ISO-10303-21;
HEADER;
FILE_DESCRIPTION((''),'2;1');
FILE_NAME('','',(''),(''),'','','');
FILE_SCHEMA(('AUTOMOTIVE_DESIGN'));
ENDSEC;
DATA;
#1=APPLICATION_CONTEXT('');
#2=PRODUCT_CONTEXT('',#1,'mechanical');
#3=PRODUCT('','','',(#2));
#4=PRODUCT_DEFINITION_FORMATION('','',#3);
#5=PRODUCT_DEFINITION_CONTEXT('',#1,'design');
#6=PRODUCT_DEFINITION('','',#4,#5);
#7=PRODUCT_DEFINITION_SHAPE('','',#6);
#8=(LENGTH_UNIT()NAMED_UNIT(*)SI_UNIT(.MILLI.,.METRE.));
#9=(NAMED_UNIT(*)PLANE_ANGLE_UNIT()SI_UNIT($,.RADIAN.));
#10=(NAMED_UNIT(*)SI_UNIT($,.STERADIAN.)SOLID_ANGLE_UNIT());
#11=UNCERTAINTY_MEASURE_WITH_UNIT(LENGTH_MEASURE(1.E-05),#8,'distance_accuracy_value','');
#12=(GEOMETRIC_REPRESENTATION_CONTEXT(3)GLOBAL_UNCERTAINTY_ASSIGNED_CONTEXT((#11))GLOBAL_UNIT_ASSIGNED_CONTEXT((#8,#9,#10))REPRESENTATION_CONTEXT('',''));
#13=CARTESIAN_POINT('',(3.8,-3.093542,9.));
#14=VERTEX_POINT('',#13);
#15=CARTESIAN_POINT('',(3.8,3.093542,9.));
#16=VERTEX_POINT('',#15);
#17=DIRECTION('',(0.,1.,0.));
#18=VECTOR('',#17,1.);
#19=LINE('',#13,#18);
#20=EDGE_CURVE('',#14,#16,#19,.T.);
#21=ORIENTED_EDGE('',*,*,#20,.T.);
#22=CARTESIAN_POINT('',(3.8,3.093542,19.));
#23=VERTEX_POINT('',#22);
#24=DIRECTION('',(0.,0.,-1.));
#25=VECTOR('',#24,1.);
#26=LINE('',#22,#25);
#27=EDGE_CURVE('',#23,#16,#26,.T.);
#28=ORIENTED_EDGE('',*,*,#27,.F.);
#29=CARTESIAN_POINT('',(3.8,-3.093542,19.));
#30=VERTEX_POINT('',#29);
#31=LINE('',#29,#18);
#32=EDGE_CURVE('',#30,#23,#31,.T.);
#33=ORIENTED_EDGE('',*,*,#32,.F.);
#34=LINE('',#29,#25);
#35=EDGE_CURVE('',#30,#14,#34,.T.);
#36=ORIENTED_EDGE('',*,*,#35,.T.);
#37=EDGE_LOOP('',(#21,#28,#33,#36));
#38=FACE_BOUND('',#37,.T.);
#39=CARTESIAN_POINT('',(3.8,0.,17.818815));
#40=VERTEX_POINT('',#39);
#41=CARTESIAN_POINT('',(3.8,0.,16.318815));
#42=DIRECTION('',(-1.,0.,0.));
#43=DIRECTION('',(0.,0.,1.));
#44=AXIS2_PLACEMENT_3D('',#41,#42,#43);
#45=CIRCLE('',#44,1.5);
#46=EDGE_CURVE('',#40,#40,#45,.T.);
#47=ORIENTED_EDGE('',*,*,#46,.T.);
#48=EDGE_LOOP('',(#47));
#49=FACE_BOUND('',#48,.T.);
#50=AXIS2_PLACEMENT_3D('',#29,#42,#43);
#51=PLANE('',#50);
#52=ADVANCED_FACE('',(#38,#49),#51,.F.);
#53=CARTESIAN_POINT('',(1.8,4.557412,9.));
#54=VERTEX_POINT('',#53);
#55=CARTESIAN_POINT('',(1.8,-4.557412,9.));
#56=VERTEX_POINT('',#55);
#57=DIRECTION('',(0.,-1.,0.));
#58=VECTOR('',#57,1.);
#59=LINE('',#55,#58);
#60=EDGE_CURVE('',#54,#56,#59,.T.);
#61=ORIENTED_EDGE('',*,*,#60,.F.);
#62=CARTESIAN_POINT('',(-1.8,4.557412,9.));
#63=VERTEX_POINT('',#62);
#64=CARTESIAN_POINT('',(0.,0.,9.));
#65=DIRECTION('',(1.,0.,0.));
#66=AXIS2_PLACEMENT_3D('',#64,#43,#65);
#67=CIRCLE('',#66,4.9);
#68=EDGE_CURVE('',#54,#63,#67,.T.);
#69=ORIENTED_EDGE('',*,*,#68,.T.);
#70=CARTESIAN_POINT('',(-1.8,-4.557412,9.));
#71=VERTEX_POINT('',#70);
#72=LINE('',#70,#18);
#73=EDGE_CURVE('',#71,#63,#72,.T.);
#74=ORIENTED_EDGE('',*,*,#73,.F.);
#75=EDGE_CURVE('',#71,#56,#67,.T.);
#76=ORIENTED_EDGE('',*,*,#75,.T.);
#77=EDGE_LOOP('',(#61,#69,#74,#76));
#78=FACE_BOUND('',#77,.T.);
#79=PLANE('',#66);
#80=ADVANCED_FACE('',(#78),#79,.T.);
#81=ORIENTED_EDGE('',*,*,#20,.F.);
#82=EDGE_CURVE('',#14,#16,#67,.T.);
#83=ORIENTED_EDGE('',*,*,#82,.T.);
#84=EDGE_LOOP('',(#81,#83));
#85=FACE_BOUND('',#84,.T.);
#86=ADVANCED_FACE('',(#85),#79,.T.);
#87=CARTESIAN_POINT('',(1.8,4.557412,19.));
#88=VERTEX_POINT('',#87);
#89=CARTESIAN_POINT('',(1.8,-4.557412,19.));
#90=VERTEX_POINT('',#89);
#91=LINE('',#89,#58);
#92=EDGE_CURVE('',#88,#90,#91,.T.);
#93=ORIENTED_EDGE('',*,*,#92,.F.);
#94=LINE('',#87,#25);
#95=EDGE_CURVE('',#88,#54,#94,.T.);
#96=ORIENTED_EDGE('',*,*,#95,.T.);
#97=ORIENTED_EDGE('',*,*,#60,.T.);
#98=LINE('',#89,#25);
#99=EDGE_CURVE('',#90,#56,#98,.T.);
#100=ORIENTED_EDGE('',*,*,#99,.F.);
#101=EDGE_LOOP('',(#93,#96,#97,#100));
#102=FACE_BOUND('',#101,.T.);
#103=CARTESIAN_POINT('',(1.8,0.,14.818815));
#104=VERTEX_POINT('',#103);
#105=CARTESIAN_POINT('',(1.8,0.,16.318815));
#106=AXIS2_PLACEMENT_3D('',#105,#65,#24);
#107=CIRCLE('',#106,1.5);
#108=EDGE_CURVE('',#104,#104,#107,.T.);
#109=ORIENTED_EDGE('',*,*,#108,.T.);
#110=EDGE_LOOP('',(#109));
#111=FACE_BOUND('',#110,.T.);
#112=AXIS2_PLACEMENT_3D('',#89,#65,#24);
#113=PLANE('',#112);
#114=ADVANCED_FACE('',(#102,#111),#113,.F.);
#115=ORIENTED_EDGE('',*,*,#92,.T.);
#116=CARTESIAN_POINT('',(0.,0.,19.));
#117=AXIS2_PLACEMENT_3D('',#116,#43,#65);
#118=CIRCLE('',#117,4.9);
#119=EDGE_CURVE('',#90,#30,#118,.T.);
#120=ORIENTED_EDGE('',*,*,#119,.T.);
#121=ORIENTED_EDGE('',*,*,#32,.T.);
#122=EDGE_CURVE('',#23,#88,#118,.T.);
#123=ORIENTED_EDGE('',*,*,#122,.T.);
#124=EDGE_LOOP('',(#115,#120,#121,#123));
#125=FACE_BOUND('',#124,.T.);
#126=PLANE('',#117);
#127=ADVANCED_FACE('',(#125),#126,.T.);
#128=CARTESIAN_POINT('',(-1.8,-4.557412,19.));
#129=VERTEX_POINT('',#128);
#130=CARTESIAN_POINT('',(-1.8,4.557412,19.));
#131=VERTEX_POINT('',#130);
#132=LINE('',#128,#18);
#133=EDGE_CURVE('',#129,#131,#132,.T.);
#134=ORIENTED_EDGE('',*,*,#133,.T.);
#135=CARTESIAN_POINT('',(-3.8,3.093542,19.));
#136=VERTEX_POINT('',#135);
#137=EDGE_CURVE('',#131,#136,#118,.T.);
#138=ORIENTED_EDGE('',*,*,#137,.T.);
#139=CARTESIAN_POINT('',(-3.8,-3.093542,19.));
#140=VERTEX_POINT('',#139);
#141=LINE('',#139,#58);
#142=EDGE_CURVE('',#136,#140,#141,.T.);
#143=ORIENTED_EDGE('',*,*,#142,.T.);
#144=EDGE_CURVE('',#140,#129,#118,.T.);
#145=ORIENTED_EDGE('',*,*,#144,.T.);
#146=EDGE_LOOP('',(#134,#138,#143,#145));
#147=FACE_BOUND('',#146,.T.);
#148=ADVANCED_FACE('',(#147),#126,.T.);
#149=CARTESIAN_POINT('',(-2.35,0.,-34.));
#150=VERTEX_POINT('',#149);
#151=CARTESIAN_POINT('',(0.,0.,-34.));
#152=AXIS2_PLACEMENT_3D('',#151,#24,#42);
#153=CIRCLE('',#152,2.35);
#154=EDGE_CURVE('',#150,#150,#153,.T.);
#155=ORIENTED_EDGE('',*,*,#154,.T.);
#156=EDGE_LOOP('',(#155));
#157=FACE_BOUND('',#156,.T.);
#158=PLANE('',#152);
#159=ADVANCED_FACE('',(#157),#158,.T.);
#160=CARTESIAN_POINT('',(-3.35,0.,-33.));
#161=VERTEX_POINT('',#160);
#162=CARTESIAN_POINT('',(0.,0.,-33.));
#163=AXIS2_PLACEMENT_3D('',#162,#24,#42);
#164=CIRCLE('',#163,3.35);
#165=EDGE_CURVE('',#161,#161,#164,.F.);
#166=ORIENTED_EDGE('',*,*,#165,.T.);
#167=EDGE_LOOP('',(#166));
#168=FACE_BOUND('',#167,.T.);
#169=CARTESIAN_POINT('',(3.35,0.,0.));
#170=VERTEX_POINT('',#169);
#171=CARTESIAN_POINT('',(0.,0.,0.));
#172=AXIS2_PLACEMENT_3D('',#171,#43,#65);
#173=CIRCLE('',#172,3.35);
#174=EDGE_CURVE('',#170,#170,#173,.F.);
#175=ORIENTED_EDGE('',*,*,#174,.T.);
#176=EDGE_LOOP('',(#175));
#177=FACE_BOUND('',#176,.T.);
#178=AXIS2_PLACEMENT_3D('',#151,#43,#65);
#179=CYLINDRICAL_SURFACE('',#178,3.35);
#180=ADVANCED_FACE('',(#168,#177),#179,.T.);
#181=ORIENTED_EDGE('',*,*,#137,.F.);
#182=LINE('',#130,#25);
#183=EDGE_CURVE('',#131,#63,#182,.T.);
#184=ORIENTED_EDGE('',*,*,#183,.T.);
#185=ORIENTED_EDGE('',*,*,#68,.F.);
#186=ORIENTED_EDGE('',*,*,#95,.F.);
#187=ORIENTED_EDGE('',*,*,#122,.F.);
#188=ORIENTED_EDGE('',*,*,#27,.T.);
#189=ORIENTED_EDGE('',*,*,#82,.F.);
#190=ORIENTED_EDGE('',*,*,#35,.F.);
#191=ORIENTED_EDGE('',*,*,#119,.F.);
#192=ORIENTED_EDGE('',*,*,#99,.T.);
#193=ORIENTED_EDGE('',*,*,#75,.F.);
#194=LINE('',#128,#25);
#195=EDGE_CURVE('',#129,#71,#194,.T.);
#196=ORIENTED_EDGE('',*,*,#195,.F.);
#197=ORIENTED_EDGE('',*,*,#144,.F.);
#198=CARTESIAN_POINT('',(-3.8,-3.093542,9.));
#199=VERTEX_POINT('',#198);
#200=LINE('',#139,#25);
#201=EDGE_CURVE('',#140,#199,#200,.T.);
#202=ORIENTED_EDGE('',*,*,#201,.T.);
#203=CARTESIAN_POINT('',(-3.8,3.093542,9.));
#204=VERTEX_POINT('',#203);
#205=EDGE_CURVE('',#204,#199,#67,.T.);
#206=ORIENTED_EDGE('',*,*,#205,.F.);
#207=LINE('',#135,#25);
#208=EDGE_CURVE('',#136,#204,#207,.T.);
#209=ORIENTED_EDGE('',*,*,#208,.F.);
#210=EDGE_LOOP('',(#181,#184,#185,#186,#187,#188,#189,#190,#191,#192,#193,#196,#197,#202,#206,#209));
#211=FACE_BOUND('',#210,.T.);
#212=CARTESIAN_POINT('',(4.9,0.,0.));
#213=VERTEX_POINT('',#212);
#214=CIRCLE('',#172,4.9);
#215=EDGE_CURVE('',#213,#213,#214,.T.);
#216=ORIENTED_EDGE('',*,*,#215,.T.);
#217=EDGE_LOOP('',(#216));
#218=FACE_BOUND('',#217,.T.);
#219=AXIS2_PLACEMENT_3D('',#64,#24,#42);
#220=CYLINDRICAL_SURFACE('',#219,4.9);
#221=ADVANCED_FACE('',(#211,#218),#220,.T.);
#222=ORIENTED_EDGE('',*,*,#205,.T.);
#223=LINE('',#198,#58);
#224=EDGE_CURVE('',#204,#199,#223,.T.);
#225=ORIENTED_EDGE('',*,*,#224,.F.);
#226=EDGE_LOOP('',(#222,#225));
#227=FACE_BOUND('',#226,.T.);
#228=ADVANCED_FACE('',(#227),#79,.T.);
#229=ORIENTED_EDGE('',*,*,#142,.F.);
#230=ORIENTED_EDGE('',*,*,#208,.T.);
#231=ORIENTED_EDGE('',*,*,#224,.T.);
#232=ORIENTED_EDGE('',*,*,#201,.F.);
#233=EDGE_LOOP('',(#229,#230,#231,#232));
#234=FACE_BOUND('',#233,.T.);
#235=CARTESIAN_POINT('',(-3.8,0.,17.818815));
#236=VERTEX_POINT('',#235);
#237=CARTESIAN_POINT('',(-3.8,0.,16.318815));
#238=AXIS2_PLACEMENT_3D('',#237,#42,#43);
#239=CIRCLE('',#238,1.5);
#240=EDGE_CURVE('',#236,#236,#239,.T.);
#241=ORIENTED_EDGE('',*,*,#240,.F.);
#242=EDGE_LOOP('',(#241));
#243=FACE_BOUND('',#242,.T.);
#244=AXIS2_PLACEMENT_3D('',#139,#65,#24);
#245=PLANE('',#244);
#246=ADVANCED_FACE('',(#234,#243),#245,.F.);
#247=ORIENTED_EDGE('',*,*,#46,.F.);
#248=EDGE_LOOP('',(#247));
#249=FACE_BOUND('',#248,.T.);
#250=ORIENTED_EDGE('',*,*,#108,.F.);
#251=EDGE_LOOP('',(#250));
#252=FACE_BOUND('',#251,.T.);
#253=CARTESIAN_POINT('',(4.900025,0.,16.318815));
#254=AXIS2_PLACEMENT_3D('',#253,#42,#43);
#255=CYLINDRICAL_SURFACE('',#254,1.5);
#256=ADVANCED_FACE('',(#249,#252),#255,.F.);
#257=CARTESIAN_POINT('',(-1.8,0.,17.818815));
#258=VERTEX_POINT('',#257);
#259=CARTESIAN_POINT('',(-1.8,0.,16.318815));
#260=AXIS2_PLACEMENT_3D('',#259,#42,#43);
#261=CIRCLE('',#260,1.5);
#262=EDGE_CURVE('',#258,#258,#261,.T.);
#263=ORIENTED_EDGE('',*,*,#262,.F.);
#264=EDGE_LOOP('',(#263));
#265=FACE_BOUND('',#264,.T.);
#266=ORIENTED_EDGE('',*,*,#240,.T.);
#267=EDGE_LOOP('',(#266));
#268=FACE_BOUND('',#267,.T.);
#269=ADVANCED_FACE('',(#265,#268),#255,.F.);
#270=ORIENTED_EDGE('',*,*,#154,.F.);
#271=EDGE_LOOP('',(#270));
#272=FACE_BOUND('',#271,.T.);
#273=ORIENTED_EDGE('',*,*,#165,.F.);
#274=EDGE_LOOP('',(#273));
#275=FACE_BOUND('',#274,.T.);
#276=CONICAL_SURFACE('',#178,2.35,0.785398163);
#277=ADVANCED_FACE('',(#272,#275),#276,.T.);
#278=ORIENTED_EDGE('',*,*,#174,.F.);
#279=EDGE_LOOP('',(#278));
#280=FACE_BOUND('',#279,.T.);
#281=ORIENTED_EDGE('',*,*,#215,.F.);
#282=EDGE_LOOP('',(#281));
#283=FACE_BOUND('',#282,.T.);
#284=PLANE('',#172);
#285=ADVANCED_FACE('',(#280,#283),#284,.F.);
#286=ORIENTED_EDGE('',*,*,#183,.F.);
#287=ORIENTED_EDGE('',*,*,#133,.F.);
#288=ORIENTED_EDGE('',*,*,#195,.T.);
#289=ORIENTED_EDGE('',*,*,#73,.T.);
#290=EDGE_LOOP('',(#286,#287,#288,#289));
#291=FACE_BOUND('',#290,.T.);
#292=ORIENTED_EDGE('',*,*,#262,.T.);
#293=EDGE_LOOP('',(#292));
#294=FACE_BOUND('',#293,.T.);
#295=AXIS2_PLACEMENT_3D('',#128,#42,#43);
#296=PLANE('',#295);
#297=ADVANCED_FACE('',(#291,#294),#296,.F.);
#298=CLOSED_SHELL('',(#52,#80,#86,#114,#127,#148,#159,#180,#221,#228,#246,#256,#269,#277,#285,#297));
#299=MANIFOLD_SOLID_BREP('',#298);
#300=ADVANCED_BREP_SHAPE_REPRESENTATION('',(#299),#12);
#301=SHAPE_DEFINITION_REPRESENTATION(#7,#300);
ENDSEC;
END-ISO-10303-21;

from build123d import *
from build123d.topology import SkipClean

# Parameters (mm, degrees)
SKETCH_2_R          = 4.9
EXTRUDE_1_DEPTH     = 9
EXTRUDE_2_DEPTH     = 10
SKETCH_4_R          = 1.5
CUT_EXTRUDE_1_DEPTH = 22.46392322
SKETCH_5_R          = 3.35
EXTRUDE_3_DEPTH     = 34
CHAMFER_1_SIZE      = 1


with BuildPart() as part:
    # 草图2 → 凸台-拉伸1 (new body)
    with BuildSketch(Plane.XY):
        Circle(SKETCH_2_R)
    extrude(amount=EXTRUDE_1_DEPTH)

    # 草图3 → 凸台-拉伸2 (add)
    with SkipClean():  # the faces are left unmerged after this step: merging them gives an invalid solid
        with BuildSketch(Plane.XY.offset(9)):
            with BuildLine():
                Line((-1.8, -4.557411546), (-1.8, 4.557411546))
                ThreePointArc((-1.8, 4.557411546), (-2.894085134, 3.954019631), (-3.8, 3.09354166))
                Line((-3.8, 3.09354166), (-3.8, -3.09354166))
                ThreePointArc((-3.8, -3.09354166), (-2.894085134, -3.954019631), (-1.8, -4.557411546))
            make_face()
            with BuildLine():
                Line((1.8, -4.557411546), (1.8, 4.557411546))
                ThreePointArc((1.8, 4.557411546), (2.894085134, 3.954019631), (3.8, 3.09354166))
                Line((3.8, 3.09354166), (3.8, -3.09354166))
                ThreePointArc((3.8, -3.09354166), (2.894085134, -3.954019631), (1.8, -4.557411546))
            make_face()
        extrude(amount=EXTRUDE_2_DEPTH)

    # 草图4 → 切除-拉伸1 (cut, through all)
    with SkipClean():  # the faces are left unmerged after this step: merging them gives an invalid solid
        with BuildSketch(Plane.ZY.offset(3.8)):
            with Locations((16.318814586, 0)):
                Circle(SKETCH_4_R)
        extrude(amount=-CUT_EXTRUDE_1_DEPTH, mode=Mode.SUBTRACT)

    # 草图5 → 凸台-拉伸3 (add)
    with SkipClean():  # the faces are left unmerged after this step: merging them gives an invalid solid
        with BuildSketch(Plane(origin=(0, 0, 0), x_dir=(-1, 0, 0), z_dir=(0, 0, -1))):
            with Locations(Location((0, 0, 0), (0, 0, 180))):
                Circle(SKETCH_5_R)
        extrude(amount=EXTRUDE_3_DEPTH)

    # 倒角1
    chamfer_1_edges = [part.edges().sort_by_distance(p)[0] for p in [
        (-3.35, 0, -34),
    ]]
    chamfer(chamfer_1_edges, length=CHAMFER_1_SIZE)


solid = part.part
